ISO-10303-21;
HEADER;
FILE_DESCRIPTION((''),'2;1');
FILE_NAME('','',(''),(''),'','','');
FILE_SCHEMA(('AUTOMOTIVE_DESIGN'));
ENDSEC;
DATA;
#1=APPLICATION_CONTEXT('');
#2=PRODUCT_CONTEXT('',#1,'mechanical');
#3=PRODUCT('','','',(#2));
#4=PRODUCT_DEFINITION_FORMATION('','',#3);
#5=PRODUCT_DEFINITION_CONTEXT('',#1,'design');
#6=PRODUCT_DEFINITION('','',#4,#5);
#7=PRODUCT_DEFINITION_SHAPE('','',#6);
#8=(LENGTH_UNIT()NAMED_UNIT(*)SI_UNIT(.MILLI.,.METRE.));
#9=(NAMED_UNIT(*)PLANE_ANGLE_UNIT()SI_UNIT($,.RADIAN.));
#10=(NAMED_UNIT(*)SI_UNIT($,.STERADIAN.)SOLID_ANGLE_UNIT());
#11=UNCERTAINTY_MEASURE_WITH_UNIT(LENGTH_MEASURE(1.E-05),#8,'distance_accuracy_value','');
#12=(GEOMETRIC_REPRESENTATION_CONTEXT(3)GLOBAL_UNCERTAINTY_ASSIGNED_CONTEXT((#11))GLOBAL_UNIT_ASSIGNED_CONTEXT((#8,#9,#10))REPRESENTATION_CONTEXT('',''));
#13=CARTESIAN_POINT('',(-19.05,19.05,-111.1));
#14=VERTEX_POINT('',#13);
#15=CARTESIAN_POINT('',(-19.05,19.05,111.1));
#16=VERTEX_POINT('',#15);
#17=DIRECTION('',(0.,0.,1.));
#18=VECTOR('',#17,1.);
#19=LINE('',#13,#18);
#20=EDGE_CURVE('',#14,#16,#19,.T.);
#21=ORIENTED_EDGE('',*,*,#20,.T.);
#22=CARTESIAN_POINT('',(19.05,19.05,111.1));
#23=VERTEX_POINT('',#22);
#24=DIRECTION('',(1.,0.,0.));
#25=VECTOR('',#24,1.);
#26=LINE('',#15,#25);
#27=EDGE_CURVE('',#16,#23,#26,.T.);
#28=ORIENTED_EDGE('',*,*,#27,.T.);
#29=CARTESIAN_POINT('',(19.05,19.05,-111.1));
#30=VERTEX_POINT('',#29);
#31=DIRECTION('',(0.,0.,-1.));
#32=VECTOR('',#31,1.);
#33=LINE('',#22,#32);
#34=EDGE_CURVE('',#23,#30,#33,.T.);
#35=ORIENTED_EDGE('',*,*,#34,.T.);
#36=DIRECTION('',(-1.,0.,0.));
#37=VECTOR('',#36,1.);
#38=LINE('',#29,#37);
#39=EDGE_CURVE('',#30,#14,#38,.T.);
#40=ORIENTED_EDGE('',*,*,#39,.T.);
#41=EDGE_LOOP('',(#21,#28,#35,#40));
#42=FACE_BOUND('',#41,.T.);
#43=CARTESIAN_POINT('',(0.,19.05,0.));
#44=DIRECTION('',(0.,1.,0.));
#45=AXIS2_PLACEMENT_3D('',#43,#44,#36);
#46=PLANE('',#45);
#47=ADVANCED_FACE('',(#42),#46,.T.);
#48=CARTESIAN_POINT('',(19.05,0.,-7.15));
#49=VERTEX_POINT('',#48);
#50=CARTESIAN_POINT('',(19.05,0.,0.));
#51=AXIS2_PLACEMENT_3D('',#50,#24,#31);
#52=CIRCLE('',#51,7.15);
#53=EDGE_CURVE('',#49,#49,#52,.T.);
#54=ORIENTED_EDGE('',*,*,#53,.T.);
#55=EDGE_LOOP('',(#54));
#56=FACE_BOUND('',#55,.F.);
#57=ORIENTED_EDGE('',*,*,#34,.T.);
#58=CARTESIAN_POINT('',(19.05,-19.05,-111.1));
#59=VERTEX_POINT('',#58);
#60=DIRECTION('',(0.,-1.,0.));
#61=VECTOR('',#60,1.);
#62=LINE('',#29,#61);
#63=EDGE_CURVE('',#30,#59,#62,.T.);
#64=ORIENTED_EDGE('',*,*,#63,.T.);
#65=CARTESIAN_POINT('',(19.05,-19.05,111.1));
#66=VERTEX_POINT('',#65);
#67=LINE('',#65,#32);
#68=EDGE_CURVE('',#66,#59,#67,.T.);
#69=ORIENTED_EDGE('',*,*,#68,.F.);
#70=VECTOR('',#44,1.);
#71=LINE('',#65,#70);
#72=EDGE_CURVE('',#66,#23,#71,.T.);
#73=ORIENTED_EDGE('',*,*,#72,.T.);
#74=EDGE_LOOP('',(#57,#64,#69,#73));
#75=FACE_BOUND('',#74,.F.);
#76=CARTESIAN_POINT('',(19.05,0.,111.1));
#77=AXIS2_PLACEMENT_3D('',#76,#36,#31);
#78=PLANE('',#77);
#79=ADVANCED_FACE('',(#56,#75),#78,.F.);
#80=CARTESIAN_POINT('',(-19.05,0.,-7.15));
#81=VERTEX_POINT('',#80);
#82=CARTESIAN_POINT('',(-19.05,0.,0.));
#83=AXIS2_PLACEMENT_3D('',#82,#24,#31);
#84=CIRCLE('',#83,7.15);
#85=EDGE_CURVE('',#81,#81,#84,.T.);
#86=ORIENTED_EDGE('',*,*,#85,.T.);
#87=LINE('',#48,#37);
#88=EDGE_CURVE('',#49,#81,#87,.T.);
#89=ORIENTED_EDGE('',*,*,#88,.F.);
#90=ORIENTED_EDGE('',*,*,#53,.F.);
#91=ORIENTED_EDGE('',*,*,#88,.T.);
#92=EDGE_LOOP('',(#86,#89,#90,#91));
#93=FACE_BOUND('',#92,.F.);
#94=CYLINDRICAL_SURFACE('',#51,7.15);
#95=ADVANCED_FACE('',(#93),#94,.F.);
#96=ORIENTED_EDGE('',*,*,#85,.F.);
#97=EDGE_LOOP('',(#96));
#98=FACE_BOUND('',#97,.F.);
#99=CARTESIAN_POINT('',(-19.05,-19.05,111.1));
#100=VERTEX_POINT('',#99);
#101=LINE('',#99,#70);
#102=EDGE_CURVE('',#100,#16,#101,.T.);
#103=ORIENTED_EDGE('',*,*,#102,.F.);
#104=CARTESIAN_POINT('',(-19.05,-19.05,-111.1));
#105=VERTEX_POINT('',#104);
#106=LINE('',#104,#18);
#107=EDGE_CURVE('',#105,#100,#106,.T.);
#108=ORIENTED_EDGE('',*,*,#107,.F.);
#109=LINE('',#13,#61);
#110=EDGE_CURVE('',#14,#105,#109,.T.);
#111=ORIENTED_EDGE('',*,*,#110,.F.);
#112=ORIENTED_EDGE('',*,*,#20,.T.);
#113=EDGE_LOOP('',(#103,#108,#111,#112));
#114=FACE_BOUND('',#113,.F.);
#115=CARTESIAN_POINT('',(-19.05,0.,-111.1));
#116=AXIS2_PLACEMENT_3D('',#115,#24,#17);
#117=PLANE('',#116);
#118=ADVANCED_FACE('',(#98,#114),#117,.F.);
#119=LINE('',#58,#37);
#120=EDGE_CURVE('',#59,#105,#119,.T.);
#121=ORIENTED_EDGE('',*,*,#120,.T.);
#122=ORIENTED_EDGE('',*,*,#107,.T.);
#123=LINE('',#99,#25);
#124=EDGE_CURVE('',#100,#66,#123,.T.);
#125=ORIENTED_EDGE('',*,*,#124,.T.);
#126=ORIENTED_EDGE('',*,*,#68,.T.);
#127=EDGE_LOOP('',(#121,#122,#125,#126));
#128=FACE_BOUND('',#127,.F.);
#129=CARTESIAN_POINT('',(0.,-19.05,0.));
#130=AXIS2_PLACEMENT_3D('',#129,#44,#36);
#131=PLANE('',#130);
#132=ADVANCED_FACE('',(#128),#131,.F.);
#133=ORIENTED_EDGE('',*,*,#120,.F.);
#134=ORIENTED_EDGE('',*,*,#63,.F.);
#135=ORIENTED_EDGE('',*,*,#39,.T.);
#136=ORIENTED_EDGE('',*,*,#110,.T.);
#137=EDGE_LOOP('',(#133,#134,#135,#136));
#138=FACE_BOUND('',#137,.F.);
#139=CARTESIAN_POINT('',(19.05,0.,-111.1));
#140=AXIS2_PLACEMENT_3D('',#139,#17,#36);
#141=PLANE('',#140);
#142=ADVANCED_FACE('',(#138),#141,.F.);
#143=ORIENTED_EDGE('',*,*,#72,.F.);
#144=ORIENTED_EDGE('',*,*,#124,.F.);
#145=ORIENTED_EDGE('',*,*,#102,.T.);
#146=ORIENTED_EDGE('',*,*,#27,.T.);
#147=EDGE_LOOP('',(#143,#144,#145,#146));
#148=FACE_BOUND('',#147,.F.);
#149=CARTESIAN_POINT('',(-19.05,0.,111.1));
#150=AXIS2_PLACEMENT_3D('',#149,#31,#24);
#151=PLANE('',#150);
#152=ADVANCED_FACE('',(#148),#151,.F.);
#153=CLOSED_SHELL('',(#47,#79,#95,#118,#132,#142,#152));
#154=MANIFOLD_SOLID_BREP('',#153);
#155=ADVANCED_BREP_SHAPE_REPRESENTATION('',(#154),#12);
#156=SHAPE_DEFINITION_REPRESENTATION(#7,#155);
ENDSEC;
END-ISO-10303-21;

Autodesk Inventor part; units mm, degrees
ref_plane "YZ Plane" through (0, 0, 0) normal (1, 0, 0) x (0, 1, 0)
ref_plane "XZ Plane" through (0, 0, 0) normal (0, 1, 0) x (-1, 0, 0)
ref_plane "XY Plane" through (0, 0, 0) normal (0, 0, 1) x (1, 0, 0)
sketch "Sketch1" plane through (0, 0, 0) normal (0, 1, 0) x (-1, 0, 0)
  line L0 (19.05, 111.1) -> (-19.05, 111.1)
  line L1 (-19.05, 111.1) -> (-19.05, -111.1)
  line L2 (-19.05, -111.1) -> (19.05, -111.1)
  line L3 (19.05, -111.1) -> (19.05, 111.1)
  line L4 (19.05, 111.1) -> (-19.05, -111.1) construction
  line L5 (-19.05, 111.1) -> (19.05, -111.1) construction
  point P0 (0, 0)
  dimension "d0" = 222.2
  dimension "d1" = 38.1
extrude "Extrusion1" add sketch "Sketch1" along normal mid plane 38.1
sketch "Sketch2" plane through (19.05, -19.05, -111.1) normal (1, 0, 0) x (0, 0, -1)
  circle A0 centre (-111.1, 19.05) radius 7.15
  point P0 (-111.1, 11.9)
  dimension "d4" = 14.3
extrude "Extrusion2" cut sketch "Sketch2" against normal through all
properties part number "CNC-1.1v-X-7-( axis mover nut inside)"
